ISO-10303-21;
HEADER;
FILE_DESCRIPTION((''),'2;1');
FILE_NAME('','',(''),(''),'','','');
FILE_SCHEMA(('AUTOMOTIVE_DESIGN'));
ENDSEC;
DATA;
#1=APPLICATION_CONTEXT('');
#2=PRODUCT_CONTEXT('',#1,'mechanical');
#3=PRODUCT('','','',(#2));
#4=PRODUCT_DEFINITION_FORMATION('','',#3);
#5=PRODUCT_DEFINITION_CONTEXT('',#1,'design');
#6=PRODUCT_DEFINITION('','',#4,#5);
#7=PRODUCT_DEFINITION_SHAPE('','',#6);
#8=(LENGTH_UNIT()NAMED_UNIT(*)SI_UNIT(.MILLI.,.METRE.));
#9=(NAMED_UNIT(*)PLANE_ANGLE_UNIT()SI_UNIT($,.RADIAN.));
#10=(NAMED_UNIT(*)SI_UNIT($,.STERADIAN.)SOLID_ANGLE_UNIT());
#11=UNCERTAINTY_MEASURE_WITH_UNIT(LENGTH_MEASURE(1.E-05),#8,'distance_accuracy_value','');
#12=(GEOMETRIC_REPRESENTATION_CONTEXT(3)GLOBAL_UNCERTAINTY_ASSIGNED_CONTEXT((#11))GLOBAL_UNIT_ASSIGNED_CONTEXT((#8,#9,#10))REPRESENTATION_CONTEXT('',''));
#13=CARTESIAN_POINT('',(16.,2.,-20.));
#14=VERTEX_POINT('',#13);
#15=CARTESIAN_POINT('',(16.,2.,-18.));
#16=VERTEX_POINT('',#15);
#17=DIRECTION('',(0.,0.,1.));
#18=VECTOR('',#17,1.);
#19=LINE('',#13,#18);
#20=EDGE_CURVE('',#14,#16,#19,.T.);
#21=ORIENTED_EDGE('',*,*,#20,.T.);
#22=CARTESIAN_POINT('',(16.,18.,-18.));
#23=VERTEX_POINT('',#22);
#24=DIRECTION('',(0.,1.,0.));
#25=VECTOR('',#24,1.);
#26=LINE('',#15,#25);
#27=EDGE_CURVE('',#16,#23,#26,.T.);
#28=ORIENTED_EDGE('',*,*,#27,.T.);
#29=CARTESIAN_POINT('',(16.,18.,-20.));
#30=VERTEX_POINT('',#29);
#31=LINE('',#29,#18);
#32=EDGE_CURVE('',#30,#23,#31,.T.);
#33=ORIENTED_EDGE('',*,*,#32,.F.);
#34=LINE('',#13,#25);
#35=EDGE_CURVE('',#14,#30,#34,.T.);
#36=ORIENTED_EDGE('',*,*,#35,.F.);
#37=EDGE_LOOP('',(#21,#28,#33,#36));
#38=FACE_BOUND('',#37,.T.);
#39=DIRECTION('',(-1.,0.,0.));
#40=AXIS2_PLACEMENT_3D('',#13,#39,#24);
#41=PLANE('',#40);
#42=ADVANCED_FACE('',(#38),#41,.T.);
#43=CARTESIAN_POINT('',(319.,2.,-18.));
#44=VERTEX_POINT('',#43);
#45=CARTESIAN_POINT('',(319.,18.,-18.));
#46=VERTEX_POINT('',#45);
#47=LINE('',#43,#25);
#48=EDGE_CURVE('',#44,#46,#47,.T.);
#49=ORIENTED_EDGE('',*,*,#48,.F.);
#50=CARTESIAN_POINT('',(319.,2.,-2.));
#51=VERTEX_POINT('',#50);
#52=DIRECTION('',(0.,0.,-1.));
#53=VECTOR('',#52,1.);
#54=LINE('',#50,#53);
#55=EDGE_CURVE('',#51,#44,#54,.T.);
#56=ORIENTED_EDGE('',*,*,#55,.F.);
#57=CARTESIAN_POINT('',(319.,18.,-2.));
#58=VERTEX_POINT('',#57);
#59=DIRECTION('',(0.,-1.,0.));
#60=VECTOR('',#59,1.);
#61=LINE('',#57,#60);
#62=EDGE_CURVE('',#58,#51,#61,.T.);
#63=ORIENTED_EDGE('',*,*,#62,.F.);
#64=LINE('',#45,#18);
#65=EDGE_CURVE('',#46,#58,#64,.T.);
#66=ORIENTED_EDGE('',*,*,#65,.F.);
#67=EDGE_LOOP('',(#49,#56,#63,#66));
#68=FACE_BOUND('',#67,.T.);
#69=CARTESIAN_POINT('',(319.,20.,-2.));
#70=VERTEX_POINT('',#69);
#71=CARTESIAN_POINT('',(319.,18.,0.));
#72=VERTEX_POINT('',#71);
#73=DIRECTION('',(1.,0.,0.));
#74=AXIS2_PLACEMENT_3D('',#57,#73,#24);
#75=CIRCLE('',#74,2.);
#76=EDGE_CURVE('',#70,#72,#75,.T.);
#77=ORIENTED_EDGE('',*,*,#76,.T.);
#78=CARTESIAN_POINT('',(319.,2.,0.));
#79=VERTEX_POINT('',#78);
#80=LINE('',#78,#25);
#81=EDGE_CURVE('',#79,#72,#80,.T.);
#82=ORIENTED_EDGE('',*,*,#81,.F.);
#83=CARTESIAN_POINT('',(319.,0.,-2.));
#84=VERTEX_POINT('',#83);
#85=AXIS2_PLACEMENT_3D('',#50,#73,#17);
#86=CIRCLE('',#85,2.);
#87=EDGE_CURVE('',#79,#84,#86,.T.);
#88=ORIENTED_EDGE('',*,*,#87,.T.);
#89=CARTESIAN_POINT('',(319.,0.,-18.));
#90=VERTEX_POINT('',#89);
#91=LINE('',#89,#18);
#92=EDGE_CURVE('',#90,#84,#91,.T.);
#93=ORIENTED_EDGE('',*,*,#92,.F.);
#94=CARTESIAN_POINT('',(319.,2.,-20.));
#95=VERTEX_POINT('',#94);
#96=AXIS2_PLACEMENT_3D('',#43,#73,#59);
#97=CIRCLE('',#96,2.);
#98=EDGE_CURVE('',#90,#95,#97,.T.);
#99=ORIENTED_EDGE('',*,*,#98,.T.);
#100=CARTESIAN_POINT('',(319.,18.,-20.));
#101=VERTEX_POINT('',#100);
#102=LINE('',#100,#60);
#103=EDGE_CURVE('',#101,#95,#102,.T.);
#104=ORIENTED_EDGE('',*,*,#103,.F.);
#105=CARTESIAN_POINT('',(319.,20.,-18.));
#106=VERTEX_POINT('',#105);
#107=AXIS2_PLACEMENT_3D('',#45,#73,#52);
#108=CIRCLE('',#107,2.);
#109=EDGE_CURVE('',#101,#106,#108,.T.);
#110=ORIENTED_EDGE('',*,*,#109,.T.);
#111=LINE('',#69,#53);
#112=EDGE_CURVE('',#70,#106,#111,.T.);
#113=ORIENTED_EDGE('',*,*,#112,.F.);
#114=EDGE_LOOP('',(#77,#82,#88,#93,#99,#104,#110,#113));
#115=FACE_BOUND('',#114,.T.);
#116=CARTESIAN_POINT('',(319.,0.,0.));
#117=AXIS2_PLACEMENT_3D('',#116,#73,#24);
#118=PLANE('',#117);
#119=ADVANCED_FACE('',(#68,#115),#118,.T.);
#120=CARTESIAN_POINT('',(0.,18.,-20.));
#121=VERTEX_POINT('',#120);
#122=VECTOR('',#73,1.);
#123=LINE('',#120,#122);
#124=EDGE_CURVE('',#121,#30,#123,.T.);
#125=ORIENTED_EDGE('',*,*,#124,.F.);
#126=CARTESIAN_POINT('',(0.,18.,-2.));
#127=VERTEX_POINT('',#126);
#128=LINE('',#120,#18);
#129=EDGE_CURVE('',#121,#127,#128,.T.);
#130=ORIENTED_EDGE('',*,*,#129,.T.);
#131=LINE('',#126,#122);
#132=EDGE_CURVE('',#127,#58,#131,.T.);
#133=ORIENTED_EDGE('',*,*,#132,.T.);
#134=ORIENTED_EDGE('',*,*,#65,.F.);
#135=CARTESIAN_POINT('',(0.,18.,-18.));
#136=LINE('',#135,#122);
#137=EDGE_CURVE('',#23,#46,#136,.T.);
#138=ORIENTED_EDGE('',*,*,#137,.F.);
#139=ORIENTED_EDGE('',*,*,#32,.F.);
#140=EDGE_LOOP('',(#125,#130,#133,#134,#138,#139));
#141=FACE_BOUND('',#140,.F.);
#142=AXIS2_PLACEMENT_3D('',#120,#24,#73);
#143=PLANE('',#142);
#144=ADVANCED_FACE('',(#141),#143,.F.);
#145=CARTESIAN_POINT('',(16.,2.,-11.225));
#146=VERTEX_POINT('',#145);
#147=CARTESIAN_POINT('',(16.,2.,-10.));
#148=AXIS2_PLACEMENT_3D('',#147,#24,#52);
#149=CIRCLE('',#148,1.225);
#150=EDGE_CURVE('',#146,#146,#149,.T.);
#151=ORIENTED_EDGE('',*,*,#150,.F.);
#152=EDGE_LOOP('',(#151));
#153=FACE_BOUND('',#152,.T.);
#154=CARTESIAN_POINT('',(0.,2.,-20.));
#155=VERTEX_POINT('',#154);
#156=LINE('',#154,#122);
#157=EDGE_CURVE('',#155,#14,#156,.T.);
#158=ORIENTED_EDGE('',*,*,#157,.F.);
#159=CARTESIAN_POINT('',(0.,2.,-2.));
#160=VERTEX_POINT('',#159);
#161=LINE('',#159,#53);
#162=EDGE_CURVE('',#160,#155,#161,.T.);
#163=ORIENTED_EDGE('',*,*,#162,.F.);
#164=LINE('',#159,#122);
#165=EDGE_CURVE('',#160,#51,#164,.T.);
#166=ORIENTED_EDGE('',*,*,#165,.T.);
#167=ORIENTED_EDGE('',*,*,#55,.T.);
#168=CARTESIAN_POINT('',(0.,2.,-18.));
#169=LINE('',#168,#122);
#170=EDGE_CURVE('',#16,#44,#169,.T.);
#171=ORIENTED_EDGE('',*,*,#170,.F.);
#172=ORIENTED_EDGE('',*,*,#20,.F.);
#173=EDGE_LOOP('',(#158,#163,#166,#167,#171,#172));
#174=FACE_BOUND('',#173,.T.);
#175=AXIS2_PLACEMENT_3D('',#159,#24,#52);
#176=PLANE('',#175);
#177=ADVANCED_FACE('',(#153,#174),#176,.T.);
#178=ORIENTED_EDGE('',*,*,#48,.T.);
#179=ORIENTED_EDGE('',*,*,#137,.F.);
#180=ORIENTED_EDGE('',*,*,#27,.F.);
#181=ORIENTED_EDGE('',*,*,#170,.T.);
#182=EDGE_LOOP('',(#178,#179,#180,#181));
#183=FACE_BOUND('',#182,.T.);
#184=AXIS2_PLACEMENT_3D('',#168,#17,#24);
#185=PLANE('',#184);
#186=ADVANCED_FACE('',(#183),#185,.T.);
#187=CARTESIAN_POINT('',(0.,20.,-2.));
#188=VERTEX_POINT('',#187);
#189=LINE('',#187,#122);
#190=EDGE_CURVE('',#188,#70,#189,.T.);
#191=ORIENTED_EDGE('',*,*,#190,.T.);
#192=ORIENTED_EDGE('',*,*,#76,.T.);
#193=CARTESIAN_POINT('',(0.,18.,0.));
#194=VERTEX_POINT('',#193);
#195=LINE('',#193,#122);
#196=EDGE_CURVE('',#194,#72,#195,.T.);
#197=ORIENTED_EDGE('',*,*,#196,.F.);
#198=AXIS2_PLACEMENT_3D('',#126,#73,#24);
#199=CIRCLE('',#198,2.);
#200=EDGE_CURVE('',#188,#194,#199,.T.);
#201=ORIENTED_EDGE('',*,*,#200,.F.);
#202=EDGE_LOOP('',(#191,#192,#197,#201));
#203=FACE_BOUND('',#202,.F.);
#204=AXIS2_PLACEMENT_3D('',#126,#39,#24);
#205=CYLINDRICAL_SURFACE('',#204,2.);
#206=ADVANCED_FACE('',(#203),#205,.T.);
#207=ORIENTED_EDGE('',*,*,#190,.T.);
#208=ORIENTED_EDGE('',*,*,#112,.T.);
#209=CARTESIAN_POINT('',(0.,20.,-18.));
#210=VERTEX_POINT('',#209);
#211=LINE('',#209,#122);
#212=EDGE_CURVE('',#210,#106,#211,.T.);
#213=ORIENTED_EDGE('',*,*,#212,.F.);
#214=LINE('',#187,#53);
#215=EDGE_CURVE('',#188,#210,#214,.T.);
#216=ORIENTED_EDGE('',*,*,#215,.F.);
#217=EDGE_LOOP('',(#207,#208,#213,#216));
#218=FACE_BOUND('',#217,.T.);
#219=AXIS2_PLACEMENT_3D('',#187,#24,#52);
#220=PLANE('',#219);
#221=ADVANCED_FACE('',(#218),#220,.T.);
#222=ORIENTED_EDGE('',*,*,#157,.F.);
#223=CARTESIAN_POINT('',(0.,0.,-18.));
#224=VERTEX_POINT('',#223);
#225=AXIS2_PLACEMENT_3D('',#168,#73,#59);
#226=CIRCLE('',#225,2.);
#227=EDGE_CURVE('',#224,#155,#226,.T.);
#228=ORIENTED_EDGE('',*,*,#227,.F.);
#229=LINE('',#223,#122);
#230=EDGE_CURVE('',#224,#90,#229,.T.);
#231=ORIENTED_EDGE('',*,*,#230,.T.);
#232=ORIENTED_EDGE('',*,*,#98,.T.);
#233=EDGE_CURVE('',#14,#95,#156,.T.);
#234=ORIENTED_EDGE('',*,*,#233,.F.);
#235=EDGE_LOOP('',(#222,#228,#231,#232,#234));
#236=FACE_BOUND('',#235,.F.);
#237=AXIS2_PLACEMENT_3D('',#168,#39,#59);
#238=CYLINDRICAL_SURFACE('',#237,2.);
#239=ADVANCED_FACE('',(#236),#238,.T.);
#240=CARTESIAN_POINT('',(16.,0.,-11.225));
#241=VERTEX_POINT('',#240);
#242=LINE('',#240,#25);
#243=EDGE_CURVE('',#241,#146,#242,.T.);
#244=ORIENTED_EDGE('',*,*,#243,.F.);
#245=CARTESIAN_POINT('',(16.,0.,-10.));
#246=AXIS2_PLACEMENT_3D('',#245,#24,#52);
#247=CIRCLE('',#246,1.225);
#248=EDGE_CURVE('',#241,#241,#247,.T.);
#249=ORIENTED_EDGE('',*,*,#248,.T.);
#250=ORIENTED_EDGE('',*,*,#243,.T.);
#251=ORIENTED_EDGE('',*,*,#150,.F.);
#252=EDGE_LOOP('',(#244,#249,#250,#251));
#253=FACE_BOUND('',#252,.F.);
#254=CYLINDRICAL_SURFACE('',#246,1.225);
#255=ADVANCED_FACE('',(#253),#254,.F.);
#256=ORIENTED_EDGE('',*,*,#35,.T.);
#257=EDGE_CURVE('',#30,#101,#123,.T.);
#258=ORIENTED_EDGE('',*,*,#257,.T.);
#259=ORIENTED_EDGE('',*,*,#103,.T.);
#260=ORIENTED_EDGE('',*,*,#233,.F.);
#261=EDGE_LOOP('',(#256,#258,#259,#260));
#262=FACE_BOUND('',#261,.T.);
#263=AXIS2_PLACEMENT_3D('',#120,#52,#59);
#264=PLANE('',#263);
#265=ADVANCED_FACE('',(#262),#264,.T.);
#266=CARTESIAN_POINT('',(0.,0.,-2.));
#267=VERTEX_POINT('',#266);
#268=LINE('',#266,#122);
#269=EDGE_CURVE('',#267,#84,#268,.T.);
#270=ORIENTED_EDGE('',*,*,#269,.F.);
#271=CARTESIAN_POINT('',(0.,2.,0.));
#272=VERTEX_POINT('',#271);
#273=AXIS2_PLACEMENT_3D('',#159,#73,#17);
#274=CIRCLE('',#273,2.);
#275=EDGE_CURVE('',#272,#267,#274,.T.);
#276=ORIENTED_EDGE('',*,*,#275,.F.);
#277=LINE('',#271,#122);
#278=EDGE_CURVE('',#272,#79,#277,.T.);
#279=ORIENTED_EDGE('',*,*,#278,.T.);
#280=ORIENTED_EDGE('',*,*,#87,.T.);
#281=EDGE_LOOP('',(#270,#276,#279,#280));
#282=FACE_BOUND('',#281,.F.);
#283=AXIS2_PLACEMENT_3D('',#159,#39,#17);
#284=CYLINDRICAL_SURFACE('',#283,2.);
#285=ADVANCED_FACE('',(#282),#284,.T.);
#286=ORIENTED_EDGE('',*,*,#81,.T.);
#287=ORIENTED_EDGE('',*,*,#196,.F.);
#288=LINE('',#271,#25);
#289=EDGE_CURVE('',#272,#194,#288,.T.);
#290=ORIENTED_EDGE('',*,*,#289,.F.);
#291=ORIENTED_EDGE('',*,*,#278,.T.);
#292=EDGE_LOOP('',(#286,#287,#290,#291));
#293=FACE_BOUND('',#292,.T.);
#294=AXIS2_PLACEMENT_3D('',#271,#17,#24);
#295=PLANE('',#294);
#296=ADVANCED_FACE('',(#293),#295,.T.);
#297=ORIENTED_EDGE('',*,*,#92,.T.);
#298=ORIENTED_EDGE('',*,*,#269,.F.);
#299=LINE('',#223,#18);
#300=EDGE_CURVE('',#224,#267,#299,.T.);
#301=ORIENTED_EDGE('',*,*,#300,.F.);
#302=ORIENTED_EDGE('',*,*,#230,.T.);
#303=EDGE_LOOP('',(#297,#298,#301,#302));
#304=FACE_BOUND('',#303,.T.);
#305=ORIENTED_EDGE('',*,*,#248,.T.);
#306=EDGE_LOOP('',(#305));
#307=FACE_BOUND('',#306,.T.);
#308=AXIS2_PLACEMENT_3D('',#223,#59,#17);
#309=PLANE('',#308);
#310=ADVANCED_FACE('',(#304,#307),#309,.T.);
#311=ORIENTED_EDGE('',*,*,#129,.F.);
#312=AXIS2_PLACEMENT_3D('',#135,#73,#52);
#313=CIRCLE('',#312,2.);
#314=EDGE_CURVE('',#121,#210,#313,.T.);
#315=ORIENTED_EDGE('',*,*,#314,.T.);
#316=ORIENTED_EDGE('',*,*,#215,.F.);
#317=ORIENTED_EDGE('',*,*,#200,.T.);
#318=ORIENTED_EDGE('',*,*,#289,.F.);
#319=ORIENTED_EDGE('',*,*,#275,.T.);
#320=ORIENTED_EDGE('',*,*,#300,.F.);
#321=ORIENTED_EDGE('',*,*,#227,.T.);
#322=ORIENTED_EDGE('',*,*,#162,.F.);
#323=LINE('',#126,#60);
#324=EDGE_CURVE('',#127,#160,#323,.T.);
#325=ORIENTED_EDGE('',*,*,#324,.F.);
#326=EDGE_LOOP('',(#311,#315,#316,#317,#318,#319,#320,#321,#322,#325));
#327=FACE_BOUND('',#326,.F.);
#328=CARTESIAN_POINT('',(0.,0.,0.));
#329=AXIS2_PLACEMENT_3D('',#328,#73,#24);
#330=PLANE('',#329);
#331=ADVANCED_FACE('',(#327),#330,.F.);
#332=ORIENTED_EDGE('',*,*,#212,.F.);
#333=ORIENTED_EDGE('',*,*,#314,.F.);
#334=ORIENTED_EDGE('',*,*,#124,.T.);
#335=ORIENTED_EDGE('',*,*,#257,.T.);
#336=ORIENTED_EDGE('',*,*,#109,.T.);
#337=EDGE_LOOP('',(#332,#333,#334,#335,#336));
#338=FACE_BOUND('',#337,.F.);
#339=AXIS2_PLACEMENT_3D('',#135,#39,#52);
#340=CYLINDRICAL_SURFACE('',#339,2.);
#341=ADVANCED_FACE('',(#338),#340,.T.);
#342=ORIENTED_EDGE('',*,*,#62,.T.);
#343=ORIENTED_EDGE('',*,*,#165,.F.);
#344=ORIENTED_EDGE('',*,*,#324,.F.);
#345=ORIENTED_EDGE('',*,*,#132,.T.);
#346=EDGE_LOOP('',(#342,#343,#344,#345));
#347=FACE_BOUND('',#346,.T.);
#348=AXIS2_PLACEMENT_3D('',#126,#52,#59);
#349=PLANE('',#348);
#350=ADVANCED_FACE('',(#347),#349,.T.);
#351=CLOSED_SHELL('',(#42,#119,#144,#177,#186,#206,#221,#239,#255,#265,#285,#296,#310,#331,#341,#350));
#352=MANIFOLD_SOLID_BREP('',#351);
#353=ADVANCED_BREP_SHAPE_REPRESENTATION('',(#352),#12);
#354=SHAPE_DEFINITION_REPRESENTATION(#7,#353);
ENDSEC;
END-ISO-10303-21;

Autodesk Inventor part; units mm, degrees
ref_plane "YZ Plane" through (0, 0, 0) normal (1, 0, 0) x (0, 1, 0)
ref_plane "XZ Plane" through (0, 0, 0) normal (0, 1, 0) x (-1, 0, 0)
ref_plane "XY Plane" through (0, 0, 0) normal (0, 0, 1) x (1, 0, 0)
sketch "Sketch1" plane through (0, 0, 0) normal (1, 0, 0) x (0, 1, 0)
  line L0 (2, 0) -> (18, 0)
  line L1 (20, -2) -> (20, -18)
  line L2 (18, -20) -> (2, -20)
  line L3 (0, -18) -> (0, -2)
  line L4 (18, -18) -> (18, -2)
  line L5 (18, -2) -> (2, -2)
  line L6 (2, -2) -> (2, -18)
  line L7 (2, -18) -> (18, -18)
  arc A0 (20, -2) -> (18, 0) centre (18, -2) ccw
  arc A1 (18, -20) -> (20, -18) centre (18, -18) ccw
  arc A2 (0, -18) -> (2, -20) centre (2, -18) ccw
  arc A3 (2, 0) -> (0, -2) centre (2, -2) ccw
  point P0 (0, 0)
  point P1 (20, -20)
  point P2 (20, 0)
  point P3 (0, -20)
  dimension "d0" = 20
  dimension "d1" = 20
  dimension "d2" = 2
  dimension "d5" = 2
extrude "Extrusion1" add sketch "Sketch1" along normal blind 319
sketch "Sketch2" plane through (0, 0, -18) normal (0, -1, 0) x (1, 0, 0)
  line L0 (0, 16) -> (0, 0) projected
  line L1 (0, 0) -> (319, 0) projected
  point P0 (0, 18)
  point P1 (16, 8)
  dimension "d6" = 16
  dimension "d7" = 8
hole "Hole1" at (16, 0, -10) direction (0, 1, 0) diameter 2.45 depth 2
sketch "Sketch4" plane through (0, 2, -20) normal (0, 0, -1) x (-1, 0, 0)
  line L0 (0, 0) -> (0, 16) projected
  line L1 (0, 16) -> (-319, 16) projected
  line L2 (0, 0) -> (-16, 0)
  line L3 (-16, 0) -> (-16, 16)
  line L4 (-16, 16) -> (0, 16)
  line L5 (0, 16) -> (0, 0)
  point P0 (0, -2)
extrude "Extrusion3" cut sketch "Sketch4" against normal up to surface (2 mm away)
properties part number "rockerpivotarm"
